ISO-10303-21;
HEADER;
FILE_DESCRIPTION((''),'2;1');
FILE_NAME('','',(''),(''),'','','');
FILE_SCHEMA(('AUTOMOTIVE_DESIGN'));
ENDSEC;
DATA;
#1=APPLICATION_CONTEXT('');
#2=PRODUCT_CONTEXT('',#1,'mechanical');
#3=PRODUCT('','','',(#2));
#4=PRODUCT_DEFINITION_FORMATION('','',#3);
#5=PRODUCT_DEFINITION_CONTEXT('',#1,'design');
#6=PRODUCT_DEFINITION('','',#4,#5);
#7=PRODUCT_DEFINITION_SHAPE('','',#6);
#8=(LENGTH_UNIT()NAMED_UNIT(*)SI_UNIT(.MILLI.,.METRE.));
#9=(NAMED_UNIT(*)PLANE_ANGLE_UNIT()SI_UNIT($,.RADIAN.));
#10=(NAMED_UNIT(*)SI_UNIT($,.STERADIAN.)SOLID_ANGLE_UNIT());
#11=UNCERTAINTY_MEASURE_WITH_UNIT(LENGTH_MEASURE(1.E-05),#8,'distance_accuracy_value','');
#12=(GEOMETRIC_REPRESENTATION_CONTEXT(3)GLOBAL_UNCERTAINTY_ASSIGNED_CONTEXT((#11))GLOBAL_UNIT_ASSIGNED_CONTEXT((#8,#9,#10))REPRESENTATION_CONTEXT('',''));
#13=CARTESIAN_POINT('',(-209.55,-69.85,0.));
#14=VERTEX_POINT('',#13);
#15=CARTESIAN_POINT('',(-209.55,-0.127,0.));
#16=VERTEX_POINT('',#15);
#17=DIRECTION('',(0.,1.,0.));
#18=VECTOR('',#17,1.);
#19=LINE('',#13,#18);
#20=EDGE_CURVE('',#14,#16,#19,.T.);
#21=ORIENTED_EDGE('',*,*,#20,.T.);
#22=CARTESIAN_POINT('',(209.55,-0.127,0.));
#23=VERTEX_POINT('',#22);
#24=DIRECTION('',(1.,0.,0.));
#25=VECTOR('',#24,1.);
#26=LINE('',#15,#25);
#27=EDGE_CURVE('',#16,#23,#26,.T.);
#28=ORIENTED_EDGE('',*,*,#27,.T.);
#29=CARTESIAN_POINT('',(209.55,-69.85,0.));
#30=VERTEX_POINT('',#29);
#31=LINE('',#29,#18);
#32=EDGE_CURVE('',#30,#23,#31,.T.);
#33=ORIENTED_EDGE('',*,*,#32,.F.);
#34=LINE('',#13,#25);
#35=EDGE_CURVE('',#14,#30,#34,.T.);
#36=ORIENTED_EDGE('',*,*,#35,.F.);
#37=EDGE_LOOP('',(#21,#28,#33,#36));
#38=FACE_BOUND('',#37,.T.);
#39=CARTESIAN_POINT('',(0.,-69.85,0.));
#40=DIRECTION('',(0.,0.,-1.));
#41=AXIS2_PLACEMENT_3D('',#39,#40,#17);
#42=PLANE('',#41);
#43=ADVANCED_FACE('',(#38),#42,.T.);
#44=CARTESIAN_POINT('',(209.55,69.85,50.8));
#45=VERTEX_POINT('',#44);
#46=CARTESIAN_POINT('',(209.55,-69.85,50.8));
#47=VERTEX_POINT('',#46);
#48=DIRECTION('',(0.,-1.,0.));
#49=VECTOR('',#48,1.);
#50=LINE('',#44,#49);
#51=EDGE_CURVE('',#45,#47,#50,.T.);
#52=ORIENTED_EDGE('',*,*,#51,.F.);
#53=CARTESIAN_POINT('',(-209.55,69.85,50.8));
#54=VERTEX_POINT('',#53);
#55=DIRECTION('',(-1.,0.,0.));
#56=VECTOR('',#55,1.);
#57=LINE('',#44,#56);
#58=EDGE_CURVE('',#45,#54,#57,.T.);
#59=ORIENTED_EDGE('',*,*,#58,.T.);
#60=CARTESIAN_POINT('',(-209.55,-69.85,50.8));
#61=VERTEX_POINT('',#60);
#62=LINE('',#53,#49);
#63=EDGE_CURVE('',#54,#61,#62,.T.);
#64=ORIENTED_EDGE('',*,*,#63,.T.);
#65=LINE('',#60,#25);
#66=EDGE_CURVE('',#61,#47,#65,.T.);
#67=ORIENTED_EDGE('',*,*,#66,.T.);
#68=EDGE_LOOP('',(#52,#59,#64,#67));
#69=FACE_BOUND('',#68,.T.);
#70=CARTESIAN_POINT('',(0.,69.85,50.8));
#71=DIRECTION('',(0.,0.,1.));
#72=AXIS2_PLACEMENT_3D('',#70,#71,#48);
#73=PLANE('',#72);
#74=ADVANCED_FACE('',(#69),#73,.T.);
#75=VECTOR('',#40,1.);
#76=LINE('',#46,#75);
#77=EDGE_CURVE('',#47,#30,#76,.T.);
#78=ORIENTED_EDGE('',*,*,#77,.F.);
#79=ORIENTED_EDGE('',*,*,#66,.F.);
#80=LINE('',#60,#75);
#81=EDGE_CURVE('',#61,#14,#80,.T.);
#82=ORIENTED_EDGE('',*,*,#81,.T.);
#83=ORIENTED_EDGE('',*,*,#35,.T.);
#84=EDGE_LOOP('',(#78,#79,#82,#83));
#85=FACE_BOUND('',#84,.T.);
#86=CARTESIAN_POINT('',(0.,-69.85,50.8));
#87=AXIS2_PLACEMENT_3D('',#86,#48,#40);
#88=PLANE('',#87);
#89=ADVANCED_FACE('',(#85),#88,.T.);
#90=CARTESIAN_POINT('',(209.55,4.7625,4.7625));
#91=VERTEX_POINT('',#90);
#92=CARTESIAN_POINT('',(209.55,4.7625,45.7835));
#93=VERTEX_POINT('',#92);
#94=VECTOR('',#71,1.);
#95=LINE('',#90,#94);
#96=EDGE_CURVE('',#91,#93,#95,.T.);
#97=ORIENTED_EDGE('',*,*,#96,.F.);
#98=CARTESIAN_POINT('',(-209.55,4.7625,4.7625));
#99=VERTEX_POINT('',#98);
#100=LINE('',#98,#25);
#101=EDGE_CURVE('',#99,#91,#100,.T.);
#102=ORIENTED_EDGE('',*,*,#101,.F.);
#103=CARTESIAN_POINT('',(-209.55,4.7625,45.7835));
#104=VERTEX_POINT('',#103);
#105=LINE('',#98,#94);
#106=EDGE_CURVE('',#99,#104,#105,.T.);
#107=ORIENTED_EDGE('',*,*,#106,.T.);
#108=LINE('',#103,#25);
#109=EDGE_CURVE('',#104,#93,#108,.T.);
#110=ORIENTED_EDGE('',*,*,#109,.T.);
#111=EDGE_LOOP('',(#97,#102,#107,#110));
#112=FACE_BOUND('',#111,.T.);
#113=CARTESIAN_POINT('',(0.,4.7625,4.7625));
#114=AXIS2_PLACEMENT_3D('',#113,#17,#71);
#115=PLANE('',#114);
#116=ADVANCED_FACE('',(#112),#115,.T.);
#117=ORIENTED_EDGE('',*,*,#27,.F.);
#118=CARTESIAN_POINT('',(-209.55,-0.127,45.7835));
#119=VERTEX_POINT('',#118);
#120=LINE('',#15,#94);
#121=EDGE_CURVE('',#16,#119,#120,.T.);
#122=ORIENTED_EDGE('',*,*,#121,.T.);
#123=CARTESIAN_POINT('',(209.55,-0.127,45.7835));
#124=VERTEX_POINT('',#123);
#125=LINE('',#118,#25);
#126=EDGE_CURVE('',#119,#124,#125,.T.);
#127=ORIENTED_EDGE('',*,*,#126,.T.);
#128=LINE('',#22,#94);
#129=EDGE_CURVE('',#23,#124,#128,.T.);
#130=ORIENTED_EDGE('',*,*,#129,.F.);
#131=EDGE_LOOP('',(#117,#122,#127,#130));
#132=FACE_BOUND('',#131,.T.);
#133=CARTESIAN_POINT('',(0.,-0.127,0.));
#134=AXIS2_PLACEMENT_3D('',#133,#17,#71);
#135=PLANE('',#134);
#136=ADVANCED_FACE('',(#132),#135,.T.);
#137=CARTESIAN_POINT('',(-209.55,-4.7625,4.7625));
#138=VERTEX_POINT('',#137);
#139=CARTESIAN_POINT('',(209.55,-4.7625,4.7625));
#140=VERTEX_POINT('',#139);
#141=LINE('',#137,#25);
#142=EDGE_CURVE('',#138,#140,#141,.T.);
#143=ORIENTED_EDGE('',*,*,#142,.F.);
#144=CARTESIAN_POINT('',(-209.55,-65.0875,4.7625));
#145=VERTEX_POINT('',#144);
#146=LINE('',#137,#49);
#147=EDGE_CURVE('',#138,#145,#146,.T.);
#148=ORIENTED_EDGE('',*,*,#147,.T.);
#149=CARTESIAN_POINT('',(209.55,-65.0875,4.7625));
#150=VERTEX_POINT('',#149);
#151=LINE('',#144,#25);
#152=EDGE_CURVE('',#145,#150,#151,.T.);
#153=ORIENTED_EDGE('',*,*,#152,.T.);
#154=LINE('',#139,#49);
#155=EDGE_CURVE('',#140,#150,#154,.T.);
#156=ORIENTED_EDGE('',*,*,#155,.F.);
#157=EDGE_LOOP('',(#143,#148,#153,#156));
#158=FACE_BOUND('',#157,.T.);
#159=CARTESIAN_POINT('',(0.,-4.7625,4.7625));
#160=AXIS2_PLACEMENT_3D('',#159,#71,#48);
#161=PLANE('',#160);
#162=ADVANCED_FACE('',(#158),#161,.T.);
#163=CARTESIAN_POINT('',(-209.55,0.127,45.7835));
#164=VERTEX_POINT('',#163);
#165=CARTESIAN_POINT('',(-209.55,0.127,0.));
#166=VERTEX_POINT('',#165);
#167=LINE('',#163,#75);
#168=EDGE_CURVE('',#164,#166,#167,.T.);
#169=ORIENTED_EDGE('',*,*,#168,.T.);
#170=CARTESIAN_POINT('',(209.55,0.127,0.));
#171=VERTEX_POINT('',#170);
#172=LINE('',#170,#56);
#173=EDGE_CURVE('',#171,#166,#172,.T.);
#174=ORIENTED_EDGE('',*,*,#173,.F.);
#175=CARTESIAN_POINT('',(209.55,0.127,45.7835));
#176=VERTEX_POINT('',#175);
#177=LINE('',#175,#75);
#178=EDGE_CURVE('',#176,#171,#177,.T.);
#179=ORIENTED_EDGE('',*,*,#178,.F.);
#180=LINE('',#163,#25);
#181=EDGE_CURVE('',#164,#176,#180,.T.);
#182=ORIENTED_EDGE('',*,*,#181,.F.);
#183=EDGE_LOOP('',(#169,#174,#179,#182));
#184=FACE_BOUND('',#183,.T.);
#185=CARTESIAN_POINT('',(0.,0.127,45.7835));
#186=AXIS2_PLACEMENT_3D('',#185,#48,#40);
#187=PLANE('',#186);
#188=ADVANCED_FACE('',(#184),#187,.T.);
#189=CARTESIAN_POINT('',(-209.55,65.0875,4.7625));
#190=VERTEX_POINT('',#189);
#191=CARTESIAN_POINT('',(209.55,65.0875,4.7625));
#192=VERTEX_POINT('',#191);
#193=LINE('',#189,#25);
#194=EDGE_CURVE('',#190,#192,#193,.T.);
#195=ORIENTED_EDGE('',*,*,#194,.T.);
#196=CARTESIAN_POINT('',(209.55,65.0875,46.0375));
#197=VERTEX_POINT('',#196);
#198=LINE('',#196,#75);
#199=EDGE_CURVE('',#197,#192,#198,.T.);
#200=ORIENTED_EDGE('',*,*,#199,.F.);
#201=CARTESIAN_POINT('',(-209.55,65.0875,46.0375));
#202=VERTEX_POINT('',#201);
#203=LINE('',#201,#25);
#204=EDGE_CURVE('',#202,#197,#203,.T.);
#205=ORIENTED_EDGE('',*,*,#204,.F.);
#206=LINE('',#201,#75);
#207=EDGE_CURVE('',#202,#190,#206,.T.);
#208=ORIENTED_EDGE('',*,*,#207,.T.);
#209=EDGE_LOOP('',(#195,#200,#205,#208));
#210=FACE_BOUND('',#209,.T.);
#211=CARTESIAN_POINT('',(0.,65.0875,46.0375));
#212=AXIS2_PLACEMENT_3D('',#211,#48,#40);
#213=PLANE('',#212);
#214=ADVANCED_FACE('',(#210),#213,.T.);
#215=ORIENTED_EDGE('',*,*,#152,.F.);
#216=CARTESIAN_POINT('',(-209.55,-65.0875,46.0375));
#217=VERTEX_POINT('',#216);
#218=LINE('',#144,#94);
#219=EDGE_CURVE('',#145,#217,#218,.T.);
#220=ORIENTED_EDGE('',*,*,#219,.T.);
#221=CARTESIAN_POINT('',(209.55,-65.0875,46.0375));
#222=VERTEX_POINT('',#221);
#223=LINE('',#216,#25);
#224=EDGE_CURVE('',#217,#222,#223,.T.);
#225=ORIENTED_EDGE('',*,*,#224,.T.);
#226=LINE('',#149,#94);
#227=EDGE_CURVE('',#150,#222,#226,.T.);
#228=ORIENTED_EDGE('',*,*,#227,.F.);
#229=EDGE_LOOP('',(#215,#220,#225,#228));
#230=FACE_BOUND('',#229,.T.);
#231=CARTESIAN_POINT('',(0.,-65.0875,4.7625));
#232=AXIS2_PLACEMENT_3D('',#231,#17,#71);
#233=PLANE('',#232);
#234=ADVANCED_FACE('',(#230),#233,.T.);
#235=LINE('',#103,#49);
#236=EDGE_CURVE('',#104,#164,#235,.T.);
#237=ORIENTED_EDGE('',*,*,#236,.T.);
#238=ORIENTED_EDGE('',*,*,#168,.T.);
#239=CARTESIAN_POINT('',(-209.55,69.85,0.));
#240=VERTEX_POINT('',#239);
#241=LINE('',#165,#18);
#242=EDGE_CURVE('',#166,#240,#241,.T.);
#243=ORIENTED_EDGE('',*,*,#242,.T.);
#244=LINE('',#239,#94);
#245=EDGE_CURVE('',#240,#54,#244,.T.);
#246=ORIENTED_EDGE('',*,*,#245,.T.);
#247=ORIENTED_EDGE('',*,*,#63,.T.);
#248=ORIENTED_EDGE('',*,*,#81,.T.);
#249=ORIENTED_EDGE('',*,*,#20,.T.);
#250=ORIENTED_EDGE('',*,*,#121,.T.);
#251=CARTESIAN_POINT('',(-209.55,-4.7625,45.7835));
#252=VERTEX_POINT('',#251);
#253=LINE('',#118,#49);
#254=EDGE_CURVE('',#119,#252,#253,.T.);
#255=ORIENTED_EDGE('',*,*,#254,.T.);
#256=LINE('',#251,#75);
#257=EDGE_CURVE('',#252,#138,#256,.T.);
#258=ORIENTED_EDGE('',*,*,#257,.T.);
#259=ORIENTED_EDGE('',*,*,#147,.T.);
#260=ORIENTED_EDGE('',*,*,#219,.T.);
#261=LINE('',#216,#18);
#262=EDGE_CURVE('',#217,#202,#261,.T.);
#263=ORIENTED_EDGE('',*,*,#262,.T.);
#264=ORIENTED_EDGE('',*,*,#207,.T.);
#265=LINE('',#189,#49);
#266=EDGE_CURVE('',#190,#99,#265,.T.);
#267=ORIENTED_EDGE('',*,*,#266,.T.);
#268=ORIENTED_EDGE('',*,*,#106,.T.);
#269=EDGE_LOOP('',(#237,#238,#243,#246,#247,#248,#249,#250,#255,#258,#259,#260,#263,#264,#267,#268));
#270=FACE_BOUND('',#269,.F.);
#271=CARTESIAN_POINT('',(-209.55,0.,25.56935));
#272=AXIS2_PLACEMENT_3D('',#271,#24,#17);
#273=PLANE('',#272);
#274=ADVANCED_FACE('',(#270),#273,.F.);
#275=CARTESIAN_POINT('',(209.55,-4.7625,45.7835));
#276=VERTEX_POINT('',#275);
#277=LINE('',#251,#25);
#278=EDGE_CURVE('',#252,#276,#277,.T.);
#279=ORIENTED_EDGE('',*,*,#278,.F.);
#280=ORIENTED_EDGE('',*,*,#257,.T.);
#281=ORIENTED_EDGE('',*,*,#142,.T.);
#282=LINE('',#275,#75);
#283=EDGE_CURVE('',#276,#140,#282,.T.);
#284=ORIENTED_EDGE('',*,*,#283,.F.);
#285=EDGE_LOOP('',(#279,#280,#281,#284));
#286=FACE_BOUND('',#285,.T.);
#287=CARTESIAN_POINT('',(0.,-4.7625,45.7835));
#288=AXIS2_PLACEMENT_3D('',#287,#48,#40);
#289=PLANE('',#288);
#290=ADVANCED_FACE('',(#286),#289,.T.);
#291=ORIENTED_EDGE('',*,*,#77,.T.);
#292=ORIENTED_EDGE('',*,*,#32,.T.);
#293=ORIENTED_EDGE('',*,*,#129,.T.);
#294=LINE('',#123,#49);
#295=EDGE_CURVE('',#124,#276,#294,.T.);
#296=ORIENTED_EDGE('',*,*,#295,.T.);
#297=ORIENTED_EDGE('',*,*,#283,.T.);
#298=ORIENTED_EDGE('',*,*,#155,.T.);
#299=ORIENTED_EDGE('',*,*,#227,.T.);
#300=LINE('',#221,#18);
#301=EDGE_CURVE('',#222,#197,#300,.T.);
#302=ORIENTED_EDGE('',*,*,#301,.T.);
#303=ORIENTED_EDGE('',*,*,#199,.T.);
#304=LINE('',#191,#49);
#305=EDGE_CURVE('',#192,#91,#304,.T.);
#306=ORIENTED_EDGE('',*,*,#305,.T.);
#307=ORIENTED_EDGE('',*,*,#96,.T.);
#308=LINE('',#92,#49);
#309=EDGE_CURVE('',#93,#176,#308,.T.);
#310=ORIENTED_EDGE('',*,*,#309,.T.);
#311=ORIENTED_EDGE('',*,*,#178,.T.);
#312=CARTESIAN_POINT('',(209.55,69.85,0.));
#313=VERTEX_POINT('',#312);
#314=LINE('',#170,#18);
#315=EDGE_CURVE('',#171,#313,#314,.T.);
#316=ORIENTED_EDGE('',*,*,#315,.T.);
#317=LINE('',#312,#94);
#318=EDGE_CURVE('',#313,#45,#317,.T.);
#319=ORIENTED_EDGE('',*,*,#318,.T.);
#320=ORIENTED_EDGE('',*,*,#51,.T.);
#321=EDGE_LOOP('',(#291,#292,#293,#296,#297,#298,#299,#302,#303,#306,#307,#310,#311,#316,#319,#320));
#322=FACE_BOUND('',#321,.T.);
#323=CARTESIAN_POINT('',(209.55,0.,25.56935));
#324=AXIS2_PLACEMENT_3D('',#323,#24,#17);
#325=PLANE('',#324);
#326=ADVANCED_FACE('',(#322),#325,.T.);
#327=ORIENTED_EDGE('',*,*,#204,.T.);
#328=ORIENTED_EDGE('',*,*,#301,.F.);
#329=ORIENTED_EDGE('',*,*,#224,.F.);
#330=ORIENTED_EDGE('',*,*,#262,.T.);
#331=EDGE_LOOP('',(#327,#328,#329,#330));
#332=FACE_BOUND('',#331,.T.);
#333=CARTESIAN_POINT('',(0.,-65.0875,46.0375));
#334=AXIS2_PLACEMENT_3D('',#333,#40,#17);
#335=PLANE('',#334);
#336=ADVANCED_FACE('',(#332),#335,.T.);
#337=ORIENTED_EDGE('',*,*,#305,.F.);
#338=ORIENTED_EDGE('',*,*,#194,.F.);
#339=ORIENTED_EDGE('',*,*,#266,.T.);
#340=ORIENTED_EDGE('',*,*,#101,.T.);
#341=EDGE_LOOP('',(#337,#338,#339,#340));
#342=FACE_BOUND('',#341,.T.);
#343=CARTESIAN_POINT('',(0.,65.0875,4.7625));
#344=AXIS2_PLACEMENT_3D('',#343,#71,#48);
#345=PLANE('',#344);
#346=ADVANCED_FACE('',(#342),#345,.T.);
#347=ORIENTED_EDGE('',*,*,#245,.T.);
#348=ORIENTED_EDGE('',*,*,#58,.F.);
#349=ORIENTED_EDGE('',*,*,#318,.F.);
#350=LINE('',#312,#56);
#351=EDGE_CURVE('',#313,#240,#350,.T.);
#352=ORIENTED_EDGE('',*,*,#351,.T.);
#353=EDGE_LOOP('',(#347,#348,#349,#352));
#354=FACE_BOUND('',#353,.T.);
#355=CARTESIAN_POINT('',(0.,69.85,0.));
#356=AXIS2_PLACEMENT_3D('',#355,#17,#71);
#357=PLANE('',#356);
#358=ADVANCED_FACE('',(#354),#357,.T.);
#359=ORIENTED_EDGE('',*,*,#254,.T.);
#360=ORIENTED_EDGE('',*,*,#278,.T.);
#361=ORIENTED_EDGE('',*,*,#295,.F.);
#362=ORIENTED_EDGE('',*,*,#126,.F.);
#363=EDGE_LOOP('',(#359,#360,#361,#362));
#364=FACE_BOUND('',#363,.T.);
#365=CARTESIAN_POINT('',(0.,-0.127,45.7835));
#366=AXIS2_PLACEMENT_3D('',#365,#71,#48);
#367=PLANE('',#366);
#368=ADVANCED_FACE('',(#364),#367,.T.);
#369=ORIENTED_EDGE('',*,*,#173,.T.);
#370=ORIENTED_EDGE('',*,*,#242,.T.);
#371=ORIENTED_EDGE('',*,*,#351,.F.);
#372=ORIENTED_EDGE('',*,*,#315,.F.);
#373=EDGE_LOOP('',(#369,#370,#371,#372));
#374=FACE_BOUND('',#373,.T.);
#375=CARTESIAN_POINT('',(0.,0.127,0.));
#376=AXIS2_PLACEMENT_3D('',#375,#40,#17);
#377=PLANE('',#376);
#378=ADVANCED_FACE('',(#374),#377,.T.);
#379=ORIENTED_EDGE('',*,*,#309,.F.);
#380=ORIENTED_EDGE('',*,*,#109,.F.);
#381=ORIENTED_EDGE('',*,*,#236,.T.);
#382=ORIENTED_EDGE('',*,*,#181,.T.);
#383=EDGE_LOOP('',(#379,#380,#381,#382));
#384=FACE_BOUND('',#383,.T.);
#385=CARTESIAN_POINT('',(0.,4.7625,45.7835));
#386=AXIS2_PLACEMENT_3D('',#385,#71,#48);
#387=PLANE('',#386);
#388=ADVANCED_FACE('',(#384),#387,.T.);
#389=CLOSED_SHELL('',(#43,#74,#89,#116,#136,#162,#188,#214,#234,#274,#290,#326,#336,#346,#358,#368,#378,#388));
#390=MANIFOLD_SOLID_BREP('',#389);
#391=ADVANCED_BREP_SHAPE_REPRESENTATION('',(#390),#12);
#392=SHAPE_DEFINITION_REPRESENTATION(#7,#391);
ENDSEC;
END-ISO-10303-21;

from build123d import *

# Parameters (mm, degrees)
F1_DEPTH = 209.55


with BuildPart() as f1:
    # F0 (on Right) → F1 (new body, symmetric)
    with BuildSketch(Plane.YZ):
        Polygon((69.85, 50.8), (-69.85, 50.8), (-69.85, 0), (-0.127, 0), (-0.127, 45.7835), (-4.7625, 45.7835), (-4.7625, 4.7625), (-65.0875, 4.7625), (-65.0875, 46.0375), (65.0875, 46.0375), (65.0875, 4.7625), (4.7625, 4.7625), (4.7625, 45.7835), (0.127, 45.7835), (0.127, 0), (69.85, 0), align=None)
    extrude(amount=F1_DEPTH, both=True)


solid = f1.part
